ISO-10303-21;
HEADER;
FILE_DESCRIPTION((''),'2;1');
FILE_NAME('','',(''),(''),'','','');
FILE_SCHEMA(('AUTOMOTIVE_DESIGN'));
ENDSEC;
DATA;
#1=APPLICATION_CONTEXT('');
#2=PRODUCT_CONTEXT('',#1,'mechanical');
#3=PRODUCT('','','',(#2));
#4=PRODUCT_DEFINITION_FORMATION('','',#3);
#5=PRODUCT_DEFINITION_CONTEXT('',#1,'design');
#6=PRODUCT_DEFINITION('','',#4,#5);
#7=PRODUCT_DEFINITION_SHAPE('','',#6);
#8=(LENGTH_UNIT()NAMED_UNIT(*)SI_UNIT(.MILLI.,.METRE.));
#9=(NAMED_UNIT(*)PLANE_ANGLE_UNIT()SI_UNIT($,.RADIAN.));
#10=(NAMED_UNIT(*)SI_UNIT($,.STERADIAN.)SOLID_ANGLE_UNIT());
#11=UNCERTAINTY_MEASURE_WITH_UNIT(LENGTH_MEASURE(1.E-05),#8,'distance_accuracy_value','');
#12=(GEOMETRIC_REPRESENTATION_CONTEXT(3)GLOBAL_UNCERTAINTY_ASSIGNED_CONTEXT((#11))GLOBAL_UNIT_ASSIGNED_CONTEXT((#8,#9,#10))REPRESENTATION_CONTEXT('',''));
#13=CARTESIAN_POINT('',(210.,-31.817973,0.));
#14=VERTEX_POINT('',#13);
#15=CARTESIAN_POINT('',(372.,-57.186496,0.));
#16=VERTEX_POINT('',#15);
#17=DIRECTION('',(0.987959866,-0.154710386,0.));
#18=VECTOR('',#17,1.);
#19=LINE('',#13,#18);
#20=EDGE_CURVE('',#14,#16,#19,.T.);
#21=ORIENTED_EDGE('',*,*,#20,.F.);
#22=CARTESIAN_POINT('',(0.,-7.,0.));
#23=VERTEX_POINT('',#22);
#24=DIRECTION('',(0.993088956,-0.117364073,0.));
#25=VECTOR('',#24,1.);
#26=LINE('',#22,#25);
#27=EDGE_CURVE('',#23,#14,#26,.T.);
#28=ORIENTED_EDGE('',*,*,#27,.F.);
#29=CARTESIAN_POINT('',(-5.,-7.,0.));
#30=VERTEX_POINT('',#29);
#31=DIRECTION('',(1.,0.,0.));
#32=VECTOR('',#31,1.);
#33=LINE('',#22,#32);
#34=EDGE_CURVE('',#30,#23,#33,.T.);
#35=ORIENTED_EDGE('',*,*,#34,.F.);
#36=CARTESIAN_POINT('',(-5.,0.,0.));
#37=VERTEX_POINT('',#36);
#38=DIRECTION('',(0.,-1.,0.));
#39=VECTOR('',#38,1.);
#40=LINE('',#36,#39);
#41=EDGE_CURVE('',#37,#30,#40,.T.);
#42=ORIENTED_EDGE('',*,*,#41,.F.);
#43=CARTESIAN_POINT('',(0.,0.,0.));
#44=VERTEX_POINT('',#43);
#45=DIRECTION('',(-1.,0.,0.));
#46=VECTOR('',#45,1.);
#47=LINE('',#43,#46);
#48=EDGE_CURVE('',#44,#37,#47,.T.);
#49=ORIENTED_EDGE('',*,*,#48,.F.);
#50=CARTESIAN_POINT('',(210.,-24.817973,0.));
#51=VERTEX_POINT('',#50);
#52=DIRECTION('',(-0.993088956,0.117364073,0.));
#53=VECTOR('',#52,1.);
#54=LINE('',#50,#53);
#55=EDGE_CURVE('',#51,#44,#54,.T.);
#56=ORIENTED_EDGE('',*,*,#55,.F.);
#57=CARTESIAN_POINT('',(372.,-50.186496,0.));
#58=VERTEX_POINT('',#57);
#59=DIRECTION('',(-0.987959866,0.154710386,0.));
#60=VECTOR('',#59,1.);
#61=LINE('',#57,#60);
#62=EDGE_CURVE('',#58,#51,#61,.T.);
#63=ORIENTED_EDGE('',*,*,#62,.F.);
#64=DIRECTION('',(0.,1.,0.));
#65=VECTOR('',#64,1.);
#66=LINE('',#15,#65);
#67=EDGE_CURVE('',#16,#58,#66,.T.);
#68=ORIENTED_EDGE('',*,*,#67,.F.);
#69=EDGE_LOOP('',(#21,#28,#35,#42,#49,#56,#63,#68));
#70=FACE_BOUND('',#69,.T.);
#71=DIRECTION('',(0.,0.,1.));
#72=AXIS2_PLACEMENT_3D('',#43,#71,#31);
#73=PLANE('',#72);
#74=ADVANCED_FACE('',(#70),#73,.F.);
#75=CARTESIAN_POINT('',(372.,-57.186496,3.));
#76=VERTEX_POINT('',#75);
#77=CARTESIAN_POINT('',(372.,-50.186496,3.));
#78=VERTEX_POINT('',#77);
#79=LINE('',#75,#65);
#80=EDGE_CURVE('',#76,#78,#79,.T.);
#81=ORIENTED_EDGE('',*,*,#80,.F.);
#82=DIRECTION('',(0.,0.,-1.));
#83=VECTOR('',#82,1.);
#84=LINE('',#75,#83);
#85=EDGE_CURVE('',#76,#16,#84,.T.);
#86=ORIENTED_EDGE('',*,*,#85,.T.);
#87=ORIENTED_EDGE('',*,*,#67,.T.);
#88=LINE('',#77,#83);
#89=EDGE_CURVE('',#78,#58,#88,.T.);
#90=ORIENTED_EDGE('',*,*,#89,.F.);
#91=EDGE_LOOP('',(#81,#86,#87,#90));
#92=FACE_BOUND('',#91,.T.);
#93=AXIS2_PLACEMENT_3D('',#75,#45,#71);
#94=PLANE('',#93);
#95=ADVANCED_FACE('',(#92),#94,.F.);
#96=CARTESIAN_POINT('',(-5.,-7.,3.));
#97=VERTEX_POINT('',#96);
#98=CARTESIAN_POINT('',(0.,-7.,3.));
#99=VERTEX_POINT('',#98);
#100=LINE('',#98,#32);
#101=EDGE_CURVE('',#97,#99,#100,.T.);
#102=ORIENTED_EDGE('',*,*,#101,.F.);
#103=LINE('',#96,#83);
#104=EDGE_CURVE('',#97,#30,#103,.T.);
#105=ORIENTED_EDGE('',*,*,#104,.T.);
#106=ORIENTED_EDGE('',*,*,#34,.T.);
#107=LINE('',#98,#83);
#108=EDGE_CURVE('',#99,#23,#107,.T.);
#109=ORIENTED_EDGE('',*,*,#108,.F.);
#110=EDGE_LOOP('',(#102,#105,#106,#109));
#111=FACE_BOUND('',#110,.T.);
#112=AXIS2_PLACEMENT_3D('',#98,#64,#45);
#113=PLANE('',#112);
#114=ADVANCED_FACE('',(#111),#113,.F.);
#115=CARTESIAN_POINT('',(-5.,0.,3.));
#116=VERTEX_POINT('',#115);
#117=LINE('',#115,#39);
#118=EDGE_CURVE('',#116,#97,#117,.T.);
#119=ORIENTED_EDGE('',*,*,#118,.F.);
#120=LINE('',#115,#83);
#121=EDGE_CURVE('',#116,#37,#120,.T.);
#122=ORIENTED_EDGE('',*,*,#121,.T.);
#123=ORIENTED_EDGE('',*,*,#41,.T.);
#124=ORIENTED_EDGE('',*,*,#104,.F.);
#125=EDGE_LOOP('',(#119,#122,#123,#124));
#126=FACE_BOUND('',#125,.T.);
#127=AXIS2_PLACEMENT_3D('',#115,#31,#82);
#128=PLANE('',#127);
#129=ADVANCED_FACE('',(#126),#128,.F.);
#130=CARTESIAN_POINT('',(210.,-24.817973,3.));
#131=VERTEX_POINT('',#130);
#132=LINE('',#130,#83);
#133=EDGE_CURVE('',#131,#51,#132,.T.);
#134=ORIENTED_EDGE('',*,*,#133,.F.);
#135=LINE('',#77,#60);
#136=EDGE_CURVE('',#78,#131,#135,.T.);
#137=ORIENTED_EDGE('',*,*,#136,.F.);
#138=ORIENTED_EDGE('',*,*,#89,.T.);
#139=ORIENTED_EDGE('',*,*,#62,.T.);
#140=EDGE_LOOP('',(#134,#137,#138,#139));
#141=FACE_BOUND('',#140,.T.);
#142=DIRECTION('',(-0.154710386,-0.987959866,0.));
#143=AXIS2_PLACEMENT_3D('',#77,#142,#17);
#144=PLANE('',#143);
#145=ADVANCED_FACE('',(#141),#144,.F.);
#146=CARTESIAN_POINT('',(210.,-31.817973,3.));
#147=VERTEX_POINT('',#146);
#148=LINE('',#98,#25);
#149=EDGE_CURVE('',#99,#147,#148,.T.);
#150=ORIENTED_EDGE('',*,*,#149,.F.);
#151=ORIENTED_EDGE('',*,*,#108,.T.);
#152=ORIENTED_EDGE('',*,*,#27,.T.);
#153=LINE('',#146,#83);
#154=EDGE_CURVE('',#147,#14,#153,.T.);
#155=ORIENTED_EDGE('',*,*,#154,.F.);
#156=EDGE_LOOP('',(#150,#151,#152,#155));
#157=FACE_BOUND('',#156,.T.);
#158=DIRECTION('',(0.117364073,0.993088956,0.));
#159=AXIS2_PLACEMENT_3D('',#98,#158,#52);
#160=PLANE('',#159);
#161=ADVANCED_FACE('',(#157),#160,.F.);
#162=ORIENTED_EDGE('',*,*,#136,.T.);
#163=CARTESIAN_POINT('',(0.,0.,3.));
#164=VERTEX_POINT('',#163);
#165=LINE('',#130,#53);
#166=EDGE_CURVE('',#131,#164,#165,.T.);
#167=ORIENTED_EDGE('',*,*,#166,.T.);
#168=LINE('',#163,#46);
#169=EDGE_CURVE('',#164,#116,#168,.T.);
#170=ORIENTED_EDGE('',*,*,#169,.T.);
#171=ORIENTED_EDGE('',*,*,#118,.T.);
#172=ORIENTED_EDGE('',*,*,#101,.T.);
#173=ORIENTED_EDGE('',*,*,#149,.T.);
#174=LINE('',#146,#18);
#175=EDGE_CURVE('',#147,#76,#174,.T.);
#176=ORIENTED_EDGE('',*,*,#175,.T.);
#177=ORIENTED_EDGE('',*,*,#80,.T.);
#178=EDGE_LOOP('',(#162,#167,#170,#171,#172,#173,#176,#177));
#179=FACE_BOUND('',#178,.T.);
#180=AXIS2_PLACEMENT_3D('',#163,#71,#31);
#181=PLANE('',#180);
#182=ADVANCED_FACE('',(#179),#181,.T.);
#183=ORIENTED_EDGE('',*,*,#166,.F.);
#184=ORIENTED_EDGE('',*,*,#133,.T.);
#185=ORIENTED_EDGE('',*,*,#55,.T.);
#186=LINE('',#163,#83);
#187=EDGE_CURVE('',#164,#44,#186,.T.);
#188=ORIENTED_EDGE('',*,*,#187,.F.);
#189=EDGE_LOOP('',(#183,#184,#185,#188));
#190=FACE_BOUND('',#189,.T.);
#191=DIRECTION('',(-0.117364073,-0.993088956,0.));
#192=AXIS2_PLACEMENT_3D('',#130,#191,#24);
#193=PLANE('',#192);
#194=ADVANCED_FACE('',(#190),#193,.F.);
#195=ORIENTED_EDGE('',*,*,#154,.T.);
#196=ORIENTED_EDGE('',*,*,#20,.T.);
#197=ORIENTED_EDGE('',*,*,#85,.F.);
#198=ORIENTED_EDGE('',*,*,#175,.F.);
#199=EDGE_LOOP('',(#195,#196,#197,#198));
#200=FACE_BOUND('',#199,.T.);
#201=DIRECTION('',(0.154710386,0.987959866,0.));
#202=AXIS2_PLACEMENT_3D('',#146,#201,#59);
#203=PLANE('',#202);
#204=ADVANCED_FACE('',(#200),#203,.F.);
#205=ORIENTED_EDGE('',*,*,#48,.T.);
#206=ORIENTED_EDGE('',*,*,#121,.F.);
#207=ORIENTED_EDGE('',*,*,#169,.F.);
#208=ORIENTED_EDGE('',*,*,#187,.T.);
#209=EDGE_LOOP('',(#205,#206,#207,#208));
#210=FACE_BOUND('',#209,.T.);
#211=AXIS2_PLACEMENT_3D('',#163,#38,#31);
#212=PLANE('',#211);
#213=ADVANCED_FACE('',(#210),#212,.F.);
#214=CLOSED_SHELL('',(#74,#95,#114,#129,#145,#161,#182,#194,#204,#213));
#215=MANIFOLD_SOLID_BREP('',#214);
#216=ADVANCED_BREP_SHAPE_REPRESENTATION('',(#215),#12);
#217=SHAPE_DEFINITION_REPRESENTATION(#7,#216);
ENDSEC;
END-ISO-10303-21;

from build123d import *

# Parameters (mm, degrees)
BOSS_EXTRUDE1_DEPTH = 3


with BuildPart() as part:
    # Sketch1 → Boss-Extrude1 (new body)
    with BuildSketch(Plane.XY):
        Polygon((0, -7), (210, -31.817973337), (372, -57.186496339), (372, -50.186496339), (210, -24.817973337), (0, 0), (-5, 0), (-5, -7), align=None)
    extrude(amount=BOSS_EXTRUDE1_DEPTH)


solid = part.part
